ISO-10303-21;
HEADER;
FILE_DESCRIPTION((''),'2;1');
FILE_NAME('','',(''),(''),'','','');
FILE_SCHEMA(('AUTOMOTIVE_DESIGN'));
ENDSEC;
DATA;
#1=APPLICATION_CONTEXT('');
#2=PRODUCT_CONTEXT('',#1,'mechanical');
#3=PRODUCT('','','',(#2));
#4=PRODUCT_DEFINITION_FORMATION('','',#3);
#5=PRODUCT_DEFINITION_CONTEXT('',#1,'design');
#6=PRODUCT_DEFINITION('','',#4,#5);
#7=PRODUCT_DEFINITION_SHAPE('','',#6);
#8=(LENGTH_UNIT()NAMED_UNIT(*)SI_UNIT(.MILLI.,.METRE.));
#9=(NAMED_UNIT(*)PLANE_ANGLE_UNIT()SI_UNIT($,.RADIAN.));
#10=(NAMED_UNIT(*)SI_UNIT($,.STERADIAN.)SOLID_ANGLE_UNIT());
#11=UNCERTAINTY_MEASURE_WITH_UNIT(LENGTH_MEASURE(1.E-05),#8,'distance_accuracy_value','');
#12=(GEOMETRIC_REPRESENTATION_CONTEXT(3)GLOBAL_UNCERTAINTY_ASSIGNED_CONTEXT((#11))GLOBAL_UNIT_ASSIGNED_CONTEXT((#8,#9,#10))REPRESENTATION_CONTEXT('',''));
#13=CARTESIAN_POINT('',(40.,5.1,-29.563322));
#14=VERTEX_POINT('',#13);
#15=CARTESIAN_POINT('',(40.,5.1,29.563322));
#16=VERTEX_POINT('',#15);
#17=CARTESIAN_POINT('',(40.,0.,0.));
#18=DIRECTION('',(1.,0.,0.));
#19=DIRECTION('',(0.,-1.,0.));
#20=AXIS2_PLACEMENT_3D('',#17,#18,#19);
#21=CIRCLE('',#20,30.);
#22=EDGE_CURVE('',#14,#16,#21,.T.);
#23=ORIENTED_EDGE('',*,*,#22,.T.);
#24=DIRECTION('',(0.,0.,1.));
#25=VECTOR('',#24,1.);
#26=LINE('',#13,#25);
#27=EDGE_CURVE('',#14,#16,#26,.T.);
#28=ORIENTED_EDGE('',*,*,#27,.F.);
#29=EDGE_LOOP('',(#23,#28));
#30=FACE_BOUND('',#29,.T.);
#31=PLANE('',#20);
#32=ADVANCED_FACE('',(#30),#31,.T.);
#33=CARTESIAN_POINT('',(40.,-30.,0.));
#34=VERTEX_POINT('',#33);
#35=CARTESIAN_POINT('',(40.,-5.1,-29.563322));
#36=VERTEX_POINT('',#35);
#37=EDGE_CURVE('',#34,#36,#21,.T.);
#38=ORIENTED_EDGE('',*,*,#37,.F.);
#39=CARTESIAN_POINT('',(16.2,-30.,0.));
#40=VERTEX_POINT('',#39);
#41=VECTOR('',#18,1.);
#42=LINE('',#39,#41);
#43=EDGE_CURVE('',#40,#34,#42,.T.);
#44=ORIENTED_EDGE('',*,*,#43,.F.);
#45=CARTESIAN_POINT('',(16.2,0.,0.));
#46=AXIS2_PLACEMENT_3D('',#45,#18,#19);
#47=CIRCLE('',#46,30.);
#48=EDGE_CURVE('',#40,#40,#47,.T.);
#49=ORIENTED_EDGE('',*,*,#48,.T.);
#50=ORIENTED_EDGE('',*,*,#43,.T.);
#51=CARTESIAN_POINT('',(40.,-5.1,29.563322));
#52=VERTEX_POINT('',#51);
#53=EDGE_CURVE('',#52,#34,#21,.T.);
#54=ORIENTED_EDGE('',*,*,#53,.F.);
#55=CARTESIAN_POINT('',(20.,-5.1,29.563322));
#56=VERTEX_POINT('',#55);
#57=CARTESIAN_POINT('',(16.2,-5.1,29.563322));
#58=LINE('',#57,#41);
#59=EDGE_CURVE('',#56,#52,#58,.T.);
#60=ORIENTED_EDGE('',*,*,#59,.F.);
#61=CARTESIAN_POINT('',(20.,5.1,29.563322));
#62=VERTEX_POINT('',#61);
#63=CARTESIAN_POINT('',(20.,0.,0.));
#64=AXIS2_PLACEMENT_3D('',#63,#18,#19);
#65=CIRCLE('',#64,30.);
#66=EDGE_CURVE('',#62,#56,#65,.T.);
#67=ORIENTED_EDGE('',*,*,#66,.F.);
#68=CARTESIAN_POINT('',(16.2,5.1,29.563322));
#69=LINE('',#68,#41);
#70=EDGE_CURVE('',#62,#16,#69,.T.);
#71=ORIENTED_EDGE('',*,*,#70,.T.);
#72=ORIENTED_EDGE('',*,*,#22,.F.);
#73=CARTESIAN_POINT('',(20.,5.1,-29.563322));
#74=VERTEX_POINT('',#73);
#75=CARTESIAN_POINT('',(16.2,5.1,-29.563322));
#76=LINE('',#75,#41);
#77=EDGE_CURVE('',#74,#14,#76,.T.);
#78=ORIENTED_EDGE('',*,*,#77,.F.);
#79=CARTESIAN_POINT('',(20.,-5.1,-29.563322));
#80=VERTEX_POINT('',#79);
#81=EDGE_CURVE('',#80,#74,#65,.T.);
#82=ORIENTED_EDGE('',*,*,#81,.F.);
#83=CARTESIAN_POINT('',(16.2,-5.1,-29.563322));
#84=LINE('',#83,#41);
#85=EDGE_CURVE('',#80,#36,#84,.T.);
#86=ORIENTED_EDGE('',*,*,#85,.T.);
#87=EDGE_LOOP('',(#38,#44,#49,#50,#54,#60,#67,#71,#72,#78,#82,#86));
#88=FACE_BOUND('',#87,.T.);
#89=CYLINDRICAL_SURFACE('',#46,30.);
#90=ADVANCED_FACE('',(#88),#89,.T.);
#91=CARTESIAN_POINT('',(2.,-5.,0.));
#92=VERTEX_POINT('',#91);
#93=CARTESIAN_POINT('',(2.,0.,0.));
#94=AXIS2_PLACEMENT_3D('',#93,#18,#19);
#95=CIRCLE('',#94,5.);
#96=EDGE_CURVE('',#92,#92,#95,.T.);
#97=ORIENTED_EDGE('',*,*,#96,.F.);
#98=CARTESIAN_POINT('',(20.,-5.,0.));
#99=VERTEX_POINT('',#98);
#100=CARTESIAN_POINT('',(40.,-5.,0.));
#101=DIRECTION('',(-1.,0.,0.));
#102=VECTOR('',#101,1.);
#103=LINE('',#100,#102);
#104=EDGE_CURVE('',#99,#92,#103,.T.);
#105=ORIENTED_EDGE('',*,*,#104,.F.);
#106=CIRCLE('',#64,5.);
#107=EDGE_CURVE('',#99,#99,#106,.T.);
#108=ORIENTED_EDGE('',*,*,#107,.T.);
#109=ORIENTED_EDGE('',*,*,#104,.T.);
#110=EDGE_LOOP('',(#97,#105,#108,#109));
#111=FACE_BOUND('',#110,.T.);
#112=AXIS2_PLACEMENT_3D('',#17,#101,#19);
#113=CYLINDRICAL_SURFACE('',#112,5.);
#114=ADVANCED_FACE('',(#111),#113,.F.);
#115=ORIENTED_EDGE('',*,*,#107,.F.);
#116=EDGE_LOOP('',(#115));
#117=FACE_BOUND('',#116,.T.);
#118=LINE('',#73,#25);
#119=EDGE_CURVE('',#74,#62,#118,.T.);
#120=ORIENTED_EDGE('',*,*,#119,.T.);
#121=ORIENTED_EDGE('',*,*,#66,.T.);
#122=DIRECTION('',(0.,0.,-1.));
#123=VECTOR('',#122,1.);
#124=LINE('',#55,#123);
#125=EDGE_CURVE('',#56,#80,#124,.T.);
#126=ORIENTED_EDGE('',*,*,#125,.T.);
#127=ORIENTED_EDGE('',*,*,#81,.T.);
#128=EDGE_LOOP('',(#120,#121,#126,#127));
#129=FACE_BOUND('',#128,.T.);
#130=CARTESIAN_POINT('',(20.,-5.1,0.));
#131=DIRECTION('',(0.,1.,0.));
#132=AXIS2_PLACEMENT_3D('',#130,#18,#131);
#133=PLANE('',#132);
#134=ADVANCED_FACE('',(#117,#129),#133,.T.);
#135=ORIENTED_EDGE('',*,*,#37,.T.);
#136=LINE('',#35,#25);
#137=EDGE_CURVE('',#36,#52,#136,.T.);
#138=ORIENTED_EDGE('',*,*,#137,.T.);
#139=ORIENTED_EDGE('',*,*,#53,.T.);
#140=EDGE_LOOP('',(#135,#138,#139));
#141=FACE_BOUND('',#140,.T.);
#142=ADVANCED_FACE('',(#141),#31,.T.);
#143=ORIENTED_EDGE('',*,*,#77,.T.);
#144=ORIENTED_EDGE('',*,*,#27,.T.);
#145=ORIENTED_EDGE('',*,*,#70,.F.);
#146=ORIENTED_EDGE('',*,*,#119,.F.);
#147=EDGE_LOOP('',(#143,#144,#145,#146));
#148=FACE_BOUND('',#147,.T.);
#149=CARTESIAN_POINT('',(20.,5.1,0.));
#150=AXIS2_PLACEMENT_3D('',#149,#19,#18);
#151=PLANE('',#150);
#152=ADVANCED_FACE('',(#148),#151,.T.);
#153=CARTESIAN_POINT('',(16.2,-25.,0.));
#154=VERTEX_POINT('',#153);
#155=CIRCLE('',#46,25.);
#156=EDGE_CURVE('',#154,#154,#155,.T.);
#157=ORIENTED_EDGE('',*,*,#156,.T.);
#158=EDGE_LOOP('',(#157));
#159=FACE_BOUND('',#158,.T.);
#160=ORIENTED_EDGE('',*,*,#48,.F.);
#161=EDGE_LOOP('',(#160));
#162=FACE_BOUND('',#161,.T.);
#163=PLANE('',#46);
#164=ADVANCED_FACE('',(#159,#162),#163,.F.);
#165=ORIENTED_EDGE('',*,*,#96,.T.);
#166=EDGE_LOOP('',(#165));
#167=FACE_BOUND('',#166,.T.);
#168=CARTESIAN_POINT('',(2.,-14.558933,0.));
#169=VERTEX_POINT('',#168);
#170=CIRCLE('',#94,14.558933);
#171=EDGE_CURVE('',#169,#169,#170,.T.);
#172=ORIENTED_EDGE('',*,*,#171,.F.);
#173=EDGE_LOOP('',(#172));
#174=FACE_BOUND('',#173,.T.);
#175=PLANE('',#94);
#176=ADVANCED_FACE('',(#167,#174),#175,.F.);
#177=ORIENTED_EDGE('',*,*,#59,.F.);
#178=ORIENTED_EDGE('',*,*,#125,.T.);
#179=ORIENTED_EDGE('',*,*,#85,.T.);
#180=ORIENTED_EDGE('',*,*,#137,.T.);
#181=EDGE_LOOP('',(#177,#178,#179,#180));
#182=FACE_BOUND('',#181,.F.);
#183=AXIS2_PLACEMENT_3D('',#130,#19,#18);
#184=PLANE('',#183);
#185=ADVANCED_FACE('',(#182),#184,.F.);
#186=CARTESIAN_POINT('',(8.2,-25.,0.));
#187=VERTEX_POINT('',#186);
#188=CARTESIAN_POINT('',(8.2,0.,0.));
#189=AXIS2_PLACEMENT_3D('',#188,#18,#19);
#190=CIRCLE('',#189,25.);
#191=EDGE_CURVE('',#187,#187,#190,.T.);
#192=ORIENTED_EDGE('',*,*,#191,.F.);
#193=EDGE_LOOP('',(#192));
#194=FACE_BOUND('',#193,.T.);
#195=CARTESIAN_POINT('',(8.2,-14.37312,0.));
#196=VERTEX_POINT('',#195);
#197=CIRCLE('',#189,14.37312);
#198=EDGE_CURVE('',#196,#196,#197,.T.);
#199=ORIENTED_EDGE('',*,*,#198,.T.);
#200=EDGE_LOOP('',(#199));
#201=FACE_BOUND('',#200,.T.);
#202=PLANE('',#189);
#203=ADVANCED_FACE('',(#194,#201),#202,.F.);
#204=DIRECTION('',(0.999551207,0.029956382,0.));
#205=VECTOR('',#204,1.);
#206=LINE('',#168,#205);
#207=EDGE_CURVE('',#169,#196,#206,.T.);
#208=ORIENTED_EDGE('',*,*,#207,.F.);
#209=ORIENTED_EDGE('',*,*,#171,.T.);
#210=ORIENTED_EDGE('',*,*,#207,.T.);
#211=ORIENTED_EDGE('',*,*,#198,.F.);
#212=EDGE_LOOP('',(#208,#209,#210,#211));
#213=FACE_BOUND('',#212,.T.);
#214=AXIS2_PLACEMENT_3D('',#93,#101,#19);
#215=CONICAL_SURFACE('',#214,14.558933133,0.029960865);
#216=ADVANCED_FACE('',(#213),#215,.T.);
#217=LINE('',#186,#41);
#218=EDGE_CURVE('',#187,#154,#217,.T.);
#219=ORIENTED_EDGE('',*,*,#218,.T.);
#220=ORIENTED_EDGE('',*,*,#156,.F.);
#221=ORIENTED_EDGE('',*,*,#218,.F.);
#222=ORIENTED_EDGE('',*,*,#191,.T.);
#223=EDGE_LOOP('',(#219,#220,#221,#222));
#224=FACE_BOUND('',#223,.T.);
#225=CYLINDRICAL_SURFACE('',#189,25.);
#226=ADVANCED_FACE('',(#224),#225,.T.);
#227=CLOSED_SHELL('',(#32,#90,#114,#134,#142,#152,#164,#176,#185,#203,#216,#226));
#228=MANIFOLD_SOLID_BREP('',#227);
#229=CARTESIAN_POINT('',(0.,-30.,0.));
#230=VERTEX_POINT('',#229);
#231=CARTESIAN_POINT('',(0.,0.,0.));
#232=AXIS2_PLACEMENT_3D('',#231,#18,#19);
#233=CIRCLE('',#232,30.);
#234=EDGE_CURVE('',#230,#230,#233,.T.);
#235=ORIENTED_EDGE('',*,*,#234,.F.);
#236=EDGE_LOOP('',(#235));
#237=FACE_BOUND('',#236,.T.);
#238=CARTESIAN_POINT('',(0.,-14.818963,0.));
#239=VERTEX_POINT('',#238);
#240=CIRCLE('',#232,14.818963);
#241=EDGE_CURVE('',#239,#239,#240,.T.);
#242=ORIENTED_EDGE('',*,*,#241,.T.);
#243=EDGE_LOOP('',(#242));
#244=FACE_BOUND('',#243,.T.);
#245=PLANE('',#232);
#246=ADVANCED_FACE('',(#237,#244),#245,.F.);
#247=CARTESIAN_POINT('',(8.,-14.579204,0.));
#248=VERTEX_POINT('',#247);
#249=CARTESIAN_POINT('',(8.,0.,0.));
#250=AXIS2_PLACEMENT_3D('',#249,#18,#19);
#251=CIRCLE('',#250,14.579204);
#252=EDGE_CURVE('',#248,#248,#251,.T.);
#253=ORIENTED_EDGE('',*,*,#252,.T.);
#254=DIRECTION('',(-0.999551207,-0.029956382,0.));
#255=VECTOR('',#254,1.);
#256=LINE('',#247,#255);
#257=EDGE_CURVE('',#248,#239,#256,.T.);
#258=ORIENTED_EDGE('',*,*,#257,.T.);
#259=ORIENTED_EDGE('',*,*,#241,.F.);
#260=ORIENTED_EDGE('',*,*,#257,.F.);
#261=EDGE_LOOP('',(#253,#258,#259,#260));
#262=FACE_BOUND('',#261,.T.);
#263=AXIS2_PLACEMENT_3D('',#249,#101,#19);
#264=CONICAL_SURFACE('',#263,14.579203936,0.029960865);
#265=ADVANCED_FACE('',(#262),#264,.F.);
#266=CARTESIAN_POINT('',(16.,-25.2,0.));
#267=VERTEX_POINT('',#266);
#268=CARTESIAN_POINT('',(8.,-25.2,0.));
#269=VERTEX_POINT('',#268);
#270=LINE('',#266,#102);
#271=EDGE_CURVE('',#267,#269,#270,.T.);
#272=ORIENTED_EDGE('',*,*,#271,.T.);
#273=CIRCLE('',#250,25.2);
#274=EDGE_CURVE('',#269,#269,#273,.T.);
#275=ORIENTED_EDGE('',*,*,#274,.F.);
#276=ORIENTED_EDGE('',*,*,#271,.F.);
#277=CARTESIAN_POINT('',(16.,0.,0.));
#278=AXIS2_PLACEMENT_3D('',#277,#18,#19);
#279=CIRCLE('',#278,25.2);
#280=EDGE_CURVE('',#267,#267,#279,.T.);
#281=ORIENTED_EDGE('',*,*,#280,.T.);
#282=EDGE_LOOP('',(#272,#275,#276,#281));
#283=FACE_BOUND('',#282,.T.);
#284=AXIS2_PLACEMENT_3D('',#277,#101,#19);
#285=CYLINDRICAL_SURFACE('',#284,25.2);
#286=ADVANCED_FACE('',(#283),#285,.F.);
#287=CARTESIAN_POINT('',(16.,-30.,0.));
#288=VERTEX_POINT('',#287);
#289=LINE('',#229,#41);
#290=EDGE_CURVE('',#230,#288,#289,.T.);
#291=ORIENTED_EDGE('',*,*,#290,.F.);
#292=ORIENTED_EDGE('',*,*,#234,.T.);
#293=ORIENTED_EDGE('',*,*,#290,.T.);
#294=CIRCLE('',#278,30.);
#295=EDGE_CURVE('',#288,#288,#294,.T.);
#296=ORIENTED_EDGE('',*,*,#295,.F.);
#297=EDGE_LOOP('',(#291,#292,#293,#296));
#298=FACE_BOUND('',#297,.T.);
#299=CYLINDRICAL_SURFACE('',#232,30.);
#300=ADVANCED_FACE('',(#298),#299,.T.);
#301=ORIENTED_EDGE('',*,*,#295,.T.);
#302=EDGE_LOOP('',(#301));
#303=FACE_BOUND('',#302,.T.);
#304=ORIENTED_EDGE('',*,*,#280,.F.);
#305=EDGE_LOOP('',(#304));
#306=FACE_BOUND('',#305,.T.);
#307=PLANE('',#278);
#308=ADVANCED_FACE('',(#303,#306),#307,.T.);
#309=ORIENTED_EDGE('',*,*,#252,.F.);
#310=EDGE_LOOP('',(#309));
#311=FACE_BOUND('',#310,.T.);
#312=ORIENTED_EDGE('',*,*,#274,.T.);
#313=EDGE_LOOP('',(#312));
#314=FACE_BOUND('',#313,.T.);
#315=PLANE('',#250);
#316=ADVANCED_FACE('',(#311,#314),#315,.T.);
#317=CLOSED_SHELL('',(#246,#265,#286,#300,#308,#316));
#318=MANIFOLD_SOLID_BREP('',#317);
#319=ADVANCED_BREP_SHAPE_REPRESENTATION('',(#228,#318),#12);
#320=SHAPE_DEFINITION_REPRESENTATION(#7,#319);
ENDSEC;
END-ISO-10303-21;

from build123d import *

# Parameters (mm, degrees)
F2_W          = 40
F2_H          = 10.2
F3_DEPTH      = 30.001
F3_DEPTH_BACK = 30.001


with BuildPart() as f1:
    # F0 (on Top) → F1 (revolve)
    with BuildSketch(Plane.XY):
        Polygon((8, -14.5792039363), (0, -14.8189625977), (0, -30), (16, -30), (16, -25.2), (8, -25.2), align=None)
    revolve(axis=Axis((26.4397524297, 0, 0), (1, 0, 0)))


with BuildPart() as f1b:
    # F0 (on Top) → F1, piece 2 (revolve)
    with BuildSketch(Plane.XY):
        Polygon((8.2, -14.3731201708), (8.2, -25), (16.2, -25), (16.2, -30), (40, -30), (40, -5), (2, -5), (2, -14.5589331334), align=None)
    revolve(axis=Axis((26.4397524297, 0, 0), (1, 0, 0)))

    # F2 (on Top) → F3 (cut, two sides)
    with BuildSketch(Plane.XY) as f3_sk:
        with Locations((40, 0)):
            Rectangle(F2_W, F2_H)
    extrude(amount=-F3_DEPTH, mode=Mode.SUBTRACT)
    extrude(f3_sk.sketch, amount=F3_DEPTH_BACK, mode=Mode.SUBTRACT)


solid = Compound([f1.part, f1b.part])
